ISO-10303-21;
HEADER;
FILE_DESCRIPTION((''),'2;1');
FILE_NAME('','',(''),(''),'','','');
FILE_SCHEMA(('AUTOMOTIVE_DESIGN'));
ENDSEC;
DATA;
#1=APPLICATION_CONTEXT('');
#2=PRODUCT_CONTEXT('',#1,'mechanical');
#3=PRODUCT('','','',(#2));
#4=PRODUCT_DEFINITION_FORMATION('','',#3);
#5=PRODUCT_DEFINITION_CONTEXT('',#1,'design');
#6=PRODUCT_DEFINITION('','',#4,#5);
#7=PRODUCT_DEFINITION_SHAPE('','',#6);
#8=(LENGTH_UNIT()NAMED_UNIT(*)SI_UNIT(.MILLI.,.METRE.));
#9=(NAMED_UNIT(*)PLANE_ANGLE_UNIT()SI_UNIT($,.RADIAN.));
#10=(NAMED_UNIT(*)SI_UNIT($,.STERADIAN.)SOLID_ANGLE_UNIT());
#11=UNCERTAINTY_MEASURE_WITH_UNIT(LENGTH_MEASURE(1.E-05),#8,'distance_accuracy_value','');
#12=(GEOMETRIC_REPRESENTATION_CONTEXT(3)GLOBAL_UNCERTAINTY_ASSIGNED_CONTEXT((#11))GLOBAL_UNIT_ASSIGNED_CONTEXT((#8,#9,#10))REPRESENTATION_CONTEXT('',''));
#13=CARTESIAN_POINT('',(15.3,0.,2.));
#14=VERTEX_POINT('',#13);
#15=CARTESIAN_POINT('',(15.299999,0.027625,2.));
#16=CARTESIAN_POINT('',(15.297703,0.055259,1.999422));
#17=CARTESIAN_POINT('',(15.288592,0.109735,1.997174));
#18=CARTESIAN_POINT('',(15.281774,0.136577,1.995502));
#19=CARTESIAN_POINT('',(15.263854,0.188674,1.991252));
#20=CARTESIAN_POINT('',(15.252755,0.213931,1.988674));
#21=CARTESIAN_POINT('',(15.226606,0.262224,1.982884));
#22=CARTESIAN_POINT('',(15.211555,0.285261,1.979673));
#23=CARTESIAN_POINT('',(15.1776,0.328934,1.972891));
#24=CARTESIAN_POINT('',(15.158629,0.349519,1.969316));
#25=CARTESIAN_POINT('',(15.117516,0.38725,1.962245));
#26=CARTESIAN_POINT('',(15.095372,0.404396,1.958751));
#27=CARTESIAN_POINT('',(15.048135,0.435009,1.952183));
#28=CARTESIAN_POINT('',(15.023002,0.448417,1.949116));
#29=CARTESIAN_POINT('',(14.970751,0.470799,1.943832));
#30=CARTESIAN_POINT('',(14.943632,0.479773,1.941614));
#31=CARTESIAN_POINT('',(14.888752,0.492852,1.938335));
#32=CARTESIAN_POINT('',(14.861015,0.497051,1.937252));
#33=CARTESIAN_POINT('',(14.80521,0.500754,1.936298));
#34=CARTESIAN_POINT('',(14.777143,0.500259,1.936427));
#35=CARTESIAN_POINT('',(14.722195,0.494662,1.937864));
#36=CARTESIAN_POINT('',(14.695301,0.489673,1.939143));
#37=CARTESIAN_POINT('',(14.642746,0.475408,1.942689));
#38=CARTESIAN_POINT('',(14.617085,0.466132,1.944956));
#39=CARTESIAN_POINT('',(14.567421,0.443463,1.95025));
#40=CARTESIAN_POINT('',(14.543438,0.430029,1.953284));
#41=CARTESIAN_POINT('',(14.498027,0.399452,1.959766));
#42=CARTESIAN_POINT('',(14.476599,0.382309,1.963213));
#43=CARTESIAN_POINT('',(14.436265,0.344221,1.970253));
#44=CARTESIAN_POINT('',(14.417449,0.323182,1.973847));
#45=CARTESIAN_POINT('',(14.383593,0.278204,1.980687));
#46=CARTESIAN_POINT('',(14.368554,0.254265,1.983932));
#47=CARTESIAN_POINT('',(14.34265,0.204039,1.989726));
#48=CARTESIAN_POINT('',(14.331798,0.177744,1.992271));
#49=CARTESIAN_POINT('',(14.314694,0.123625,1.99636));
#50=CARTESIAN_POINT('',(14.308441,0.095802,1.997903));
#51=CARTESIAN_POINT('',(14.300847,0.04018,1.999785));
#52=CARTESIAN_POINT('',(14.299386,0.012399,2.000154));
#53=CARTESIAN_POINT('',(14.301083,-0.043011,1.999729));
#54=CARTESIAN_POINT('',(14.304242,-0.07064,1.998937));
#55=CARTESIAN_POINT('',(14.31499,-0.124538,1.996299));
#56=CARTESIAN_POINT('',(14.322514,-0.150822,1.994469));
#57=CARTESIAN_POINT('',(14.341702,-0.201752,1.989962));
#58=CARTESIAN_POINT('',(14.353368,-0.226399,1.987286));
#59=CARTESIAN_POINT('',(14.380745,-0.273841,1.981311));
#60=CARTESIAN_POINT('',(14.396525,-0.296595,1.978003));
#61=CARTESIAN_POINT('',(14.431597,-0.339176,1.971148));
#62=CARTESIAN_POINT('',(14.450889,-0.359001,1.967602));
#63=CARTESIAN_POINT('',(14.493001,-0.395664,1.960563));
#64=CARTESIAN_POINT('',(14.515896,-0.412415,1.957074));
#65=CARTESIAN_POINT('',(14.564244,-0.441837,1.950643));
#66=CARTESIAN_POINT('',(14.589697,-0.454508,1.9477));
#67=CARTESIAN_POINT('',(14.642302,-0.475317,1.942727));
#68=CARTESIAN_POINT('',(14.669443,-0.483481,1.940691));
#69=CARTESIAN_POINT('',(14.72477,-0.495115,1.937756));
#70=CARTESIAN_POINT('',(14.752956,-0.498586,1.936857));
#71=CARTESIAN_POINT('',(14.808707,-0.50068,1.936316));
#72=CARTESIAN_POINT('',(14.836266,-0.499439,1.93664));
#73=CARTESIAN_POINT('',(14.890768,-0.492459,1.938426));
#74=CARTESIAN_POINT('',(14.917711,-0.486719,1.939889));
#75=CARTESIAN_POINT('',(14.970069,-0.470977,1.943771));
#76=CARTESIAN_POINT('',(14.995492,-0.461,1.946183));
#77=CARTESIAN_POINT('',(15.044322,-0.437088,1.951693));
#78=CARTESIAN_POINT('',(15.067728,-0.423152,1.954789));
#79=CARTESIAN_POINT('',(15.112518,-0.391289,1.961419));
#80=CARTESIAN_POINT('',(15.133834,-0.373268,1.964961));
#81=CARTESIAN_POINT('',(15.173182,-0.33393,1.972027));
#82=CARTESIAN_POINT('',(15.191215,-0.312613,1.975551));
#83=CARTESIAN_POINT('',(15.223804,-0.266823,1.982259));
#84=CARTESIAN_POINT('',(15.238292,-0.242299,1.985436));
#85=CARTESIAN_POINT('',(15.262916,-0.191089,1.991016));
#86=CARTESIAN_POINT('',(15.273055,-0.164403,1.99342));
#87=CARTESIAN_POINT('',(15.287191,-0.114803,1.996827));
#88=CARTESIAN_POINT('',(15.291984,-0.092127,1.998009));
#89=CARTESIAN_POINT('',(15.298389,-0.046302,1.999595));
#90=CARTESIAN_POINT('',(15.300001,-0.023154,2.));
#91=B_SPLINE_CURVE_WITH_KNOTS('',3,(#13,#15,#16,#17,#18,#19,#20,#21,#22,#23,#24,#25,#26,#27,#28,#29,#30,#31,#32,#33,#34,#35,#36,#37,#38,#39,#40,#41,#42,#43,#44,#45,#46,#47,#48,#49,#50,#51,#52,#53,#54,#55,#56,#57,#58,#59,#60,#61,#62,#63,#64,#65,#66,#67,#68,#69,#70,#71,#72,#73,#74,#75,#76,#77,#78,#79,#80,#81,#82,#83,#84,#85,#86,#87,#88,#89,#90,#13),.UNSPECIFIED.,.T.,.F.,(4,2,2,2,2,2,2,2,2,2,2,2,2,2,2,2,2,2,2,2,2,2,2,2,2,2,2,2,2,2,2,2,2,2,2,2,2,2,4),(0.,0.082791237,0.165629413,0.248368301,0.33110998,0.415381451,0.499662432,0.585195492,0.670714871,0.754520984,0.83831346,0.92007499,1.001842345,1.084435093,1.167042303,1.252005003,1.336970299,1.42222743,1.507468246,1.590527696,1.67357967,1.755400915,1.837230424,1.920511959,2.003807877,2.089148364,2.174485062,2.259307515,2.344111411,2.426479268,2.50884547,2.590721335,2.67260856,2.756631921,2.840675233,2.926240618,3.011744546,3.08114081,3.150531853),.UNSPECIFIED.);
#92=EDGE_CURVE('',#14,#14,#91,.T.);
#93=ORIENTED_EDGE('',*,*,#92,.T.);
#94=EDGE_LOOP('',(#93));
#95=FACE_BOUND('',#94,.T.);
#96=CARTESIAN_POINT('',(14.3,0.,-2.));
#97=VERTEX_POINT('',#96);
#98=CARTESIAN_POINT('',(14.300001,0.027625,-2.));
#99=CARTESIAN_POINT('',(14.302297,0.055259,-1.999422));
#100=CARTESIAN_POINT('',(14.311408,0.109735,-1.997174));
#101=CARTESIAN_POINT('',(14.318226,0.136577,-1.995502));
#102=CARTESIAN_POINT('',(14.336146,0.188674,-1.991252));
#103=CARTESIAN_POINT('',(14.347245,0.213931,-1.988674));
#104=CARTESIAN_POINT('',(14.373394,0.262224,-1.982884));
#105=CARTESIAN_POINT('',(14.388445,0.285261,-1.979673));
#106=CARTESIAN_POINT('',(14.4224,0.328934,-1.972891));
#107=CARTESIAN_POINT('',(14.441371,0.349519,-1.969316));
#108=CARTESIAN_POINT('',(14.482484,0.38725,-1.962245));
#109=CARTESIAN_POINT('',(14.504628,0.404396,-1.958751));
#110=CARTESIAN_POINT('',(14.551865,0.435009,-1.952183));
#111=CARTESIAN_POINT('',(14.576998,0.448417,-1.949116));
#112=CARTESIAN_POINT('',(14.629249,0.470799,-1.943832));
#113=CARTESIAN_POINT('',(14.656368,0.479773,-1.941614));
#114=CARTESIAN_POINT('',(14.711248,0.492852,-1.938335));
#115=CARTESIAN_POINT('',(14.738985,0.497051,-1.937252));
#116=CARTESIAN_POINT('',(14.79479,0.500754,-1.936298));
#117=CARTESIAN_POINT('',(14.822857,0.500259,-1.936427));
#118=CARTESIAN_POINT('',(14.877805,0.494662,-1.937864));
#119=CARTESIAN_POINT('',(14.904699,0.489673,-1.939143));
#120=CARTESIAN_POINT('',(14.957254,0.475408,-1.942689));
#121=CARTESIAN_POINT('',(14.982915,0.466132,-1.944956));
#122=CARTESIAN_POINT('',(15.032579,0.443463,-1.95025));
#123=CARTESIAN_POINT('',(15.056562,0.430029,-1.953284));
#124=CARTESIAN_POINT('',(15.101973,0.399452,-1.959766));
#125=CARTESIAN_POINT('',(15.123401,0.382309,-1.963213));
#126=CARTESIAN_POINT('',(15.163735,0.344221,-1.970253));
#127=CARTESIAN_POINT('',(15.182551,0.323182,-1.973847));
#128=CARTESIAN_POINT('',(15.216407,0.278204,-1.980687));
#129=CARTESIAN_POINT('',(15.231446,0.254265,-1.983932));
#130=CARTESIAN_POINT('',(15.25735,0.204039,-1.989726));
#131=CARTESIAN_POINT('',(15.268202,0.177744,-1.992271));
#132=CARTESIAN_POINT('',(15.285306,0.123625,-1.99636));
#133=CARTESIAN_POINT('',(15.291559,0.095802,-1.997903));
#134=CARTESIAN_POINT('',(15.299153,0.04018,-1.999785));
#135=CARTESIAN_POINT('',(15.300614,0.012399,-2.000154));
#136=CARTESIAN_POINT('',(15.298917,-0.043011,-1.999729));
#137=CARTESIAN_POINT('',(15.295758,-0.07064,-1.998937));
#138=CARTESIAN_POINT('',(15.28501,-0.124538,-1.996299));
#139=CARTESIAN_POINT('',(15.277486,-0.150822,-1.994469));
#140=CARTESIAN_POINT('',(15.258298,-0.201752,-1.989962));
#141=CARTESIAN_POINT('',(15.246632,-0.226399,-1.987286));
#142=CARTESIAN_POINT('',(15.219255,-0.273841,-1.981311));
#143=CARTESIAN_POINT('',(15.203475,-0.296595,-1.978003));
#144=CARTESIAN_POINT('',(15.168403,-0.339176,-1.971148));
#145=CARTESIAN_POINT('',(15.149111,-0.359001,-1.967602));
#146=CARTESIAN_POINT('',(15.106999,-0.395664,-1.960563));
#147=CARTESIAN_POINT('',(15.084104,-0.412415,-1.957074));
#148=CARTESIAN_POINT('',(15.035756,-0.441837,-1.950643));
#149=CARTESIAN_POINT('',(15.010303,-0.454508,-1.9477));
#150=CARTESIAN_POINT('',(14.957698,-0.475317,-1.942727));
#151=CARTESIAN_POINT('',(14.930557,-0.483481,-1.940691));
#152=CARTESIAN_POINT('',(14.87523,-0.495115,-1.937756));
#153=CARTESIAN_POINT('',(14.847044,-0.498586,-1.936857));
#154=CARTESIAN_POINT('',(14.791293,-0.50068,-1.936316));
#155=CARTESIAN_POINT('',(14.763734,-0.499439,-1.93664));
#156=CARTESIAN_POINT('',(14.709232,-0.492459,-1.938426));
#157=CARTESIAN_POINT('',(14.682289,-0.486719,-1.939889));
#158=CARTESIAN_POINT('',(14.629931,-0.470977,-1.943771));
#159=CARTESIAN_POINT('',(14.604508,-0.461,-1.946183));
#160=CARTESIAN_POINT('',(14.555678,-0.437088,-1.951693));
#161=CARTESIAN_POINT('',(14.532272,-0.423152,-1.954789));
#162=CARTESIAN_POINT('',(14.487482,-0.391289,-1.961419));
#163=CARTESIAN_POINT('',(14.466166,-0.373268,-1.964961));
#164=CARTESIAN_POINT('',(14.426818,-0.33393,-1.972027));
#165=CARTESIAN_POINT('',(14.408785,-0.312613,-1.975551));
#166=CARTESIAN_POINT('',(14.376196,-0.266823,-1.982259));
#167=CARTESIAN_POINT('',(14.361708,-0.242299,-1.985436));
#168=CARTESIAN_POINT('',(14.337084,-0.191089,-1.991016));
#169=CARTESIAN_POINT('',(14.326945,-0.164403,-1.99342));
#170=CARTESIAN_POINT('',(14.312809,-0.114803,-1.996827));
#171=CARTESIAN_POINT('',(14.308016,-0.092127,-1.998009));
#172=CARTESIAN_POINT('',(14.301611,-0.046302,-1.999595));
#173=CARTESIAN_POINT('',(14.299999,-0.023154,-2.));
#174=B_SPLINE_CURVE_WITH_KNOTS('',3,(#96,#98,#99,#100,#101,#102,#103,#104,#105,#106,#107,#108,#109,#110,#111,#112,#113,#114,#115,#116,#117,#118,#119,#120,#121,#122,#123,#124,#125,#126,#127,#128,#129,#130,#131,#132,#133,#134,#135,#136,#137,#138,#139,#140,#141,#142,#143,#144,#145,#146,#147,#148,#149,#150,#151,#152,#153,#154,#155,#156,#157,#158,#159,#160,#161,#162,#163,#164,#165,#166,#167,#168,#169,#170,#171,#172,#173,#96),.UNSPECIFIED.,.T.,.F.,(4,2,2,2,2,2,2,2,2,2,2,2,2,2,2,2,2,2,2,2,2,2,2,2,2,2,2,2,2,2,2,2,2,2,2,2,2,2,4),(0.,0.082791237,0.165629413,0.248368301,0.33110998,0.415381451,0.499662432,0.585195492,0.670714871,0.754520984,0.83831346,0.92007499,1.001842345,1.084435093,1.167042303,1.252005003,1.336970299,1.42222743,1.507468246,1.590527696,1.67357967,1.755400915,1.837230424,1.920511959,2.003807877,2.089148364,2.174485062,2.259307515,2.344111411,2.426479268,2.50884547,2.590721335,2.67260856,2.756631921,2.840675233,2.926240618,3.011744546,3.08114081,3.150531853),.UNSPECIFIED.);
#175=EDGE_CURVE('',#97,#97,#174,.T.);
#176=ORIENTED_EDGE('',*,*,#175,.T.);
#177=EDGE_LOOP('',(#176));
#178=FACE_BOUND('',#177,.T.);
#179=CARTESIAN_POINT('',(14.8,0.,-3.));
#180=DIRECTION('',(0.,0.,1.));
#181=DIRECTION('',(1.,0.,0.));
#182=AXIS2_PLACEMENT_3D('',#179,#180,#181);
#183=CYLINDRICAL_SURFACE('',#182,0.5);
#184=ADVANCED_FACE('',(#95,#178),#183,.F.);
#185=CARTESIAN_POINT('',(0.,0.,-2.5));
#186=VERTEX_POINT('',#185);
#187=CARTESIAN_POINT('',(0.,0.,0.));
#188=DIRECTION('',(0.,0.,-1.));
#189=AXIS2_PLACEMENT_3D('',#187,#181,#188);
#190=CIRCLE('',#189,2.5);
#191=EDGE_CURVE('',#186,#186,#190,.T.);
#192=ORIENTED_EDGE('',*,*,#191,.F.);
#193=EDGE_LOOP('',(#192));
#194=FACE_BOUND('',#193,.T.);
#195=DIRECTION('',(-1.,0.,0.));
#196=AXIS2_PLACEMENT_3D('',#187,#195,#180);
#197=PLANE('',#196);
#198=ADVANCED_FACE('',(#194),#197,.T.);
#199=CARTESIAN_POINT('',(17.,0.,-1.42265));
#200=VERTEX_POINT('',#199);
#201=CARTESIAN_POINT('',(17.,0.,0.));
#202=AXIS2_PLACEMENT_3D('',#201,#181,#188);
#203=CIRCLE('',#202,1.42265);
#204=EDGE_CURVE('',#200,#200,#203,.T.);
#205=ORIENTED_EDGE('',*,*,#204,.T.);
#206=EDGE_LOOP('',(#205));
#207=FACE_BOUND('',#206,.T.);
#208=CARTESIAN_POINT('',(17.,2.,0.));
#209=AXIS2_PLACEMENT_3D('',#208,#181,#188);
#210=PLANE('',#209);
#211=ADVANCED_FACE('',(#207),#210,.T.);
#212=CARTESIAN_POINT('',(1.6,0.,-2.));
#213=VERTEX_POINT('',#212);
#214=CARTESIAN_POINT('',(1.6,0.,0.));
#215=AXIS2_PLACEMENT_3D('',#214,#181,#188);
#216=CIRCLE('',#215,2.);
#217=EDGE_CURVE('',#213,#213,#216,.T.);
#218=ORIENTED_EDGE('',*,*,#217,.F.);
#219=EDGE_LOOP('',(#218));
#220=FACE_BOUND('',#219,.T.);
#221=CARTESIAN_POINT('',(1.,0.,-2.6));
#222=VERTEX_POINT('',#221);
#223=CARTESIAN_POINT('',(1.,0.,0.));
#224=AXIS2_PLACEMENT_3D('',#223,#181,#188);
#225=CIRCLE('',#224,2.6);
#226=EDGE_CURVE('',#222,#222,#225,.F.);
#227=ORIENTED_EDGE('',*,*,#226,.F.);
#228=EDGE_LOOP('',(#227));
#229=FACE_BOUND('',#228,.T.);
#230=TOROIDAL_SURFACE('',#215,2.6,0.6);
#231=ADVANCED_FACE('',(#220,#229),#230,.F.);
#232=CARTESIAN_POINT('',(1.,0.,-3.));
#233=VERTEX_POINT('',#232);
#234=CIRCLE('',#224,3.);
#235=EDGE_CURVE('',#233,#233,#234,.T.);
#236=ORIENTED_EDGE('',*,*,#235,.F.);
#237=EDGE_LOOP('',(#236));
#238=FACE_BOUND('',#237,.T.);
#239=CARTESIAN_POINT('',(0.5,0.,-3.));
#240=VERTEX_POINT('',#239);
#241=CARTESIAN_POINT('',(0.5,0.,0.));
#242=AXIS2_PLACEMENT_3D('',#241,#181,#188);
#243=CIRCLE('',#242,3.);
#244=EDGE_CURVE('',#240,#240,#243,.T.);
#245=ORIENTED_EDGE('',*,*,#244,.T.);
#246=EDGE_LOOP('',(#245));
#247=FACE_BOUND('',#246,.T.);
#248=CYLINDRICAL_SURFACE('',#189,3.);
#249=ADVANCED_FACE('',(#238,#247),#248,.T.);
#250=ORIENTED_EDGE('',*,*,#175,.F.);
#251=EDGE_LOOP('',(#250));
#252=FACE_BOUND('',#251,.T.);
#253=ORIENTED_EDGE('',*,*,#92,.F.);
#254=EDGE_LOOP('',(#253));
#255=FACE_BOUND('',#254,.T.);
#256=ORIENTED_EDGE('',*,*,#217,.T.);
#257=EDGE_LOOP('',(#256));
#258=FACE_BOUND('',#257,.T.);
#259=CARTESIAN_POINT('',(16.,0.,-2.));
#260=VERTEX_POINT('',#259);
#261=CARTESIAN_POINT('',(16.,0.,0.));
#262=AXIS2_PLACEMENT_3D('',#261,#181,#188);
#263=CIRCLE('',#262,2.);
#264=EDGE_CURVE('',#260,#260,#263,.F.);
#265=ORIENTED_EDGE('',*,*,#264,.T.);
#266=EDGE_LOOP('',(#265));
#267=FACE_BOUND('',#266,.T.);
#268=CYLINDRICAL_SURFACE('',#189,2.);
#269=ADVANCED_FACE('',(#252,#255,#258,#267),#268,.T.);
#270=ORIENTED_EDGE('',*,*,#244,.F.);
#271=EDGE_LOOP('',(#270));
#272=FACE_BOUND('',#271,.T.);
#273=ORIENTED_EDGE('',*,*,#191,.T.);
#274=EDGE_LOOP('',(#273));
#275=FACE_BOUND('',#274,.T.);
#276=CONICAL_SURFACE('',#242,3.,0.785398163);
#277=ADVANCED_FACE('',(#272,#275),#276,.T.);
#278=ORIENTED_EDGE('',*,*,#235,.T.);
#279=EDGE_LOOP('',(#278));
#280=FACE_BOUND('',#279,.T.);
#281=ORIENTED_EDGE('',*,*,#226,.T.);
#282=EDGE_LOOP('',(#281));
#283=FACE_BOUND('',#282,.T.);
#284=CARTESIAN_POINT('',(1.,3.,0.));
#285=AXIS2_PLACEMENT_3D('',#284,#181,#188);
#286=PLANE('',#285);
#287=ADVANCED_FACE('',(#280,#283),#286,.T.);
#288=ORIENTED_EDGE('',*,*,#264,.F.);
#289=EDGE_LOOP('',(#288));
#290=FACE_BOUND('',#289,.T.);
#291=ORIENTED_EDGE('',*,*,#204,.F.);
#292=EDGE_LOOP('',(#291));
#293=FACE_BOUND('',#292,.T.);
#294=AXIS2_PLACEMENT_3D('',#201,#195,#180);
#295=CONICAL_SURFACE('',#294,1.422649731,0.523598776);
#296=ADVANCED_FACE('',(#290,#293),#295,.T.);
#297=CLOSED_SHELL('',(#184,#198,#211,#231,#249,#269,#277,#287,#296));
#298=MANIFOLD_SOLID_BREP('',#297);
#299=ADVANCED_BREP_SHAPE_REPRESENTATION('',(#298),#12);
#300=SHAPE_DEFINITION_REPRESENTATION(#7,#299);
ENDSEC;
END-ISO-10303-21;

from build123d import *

# Parameters (mm, degrees)
CUT_EXTRUDE_1_DEPTH      = 18.521415468
CUT_EXTRUDE_1_DEPTH_BACK = 18.521415468
SKETCH_2_R               = 0.5
FILLET_1_R               = 0.6
CHAMFER_1_SIZE           = 1
CHAMFER_1_SIZE2          = 0.577350269


with BuildPart() as part:
    # 草图1 → Revolve 549 (revolve)
    with BuildSketch(Plane.XY, mode=Mode.PRIVATE) as revolve_549_sk:
        Polygon((0, 0), (17, 0), (17, 2), (1, 2), (1, 3), (0.5, 3), (0, 2.5), align=None)
    revolve(revolve_549_sk.sketch.rotate(Axis((0, 0, 0), (-1, 0, 0)), 90), axis=Axis((0, 0, 0), (-1, 0, 0)))

    # 草图2 → 切除-拉伸1 (cut, two sides: drawn at the far end of the back side and taken through both)
    with BuildSketch(Plane.XY.offset(-CUT_EXTRUDE_1_DEPTH_BACK)):
        with Locations((14.8, 0)):
            Circle(SKETCH_2_R)
    extrude(amount=CUT_EXTRUDE_1_DEPTH + CUT_EXTRUDE_1_DEPTH_BACK, mode=Mode.SUBTRACT)

    # 圆角1
    fillet_1_edges = [part.edges().sort_by_distance(p)[0] for p in [
        (1, 0, 2),
    ]]
    fillet(fillet_1_edges, radius=FILLET_1_R)

    # 倒角1
    chamfer_1_edges = [part.edges().sort_by_distance(p)[0] for p in [
        (17, 0, 2),
    ]]
    chamfer_1_side = [part.faces().sort_by_distance(p)[0] for p in [
        (9.3, 0, 2),
    ]]
    chamfer(chamfer_1_edges, length=CHAMFER_1_SIZE, length2=CHAMFER_1_SIZE2, reference=chamfer_1_side[0])


solid = part.part
